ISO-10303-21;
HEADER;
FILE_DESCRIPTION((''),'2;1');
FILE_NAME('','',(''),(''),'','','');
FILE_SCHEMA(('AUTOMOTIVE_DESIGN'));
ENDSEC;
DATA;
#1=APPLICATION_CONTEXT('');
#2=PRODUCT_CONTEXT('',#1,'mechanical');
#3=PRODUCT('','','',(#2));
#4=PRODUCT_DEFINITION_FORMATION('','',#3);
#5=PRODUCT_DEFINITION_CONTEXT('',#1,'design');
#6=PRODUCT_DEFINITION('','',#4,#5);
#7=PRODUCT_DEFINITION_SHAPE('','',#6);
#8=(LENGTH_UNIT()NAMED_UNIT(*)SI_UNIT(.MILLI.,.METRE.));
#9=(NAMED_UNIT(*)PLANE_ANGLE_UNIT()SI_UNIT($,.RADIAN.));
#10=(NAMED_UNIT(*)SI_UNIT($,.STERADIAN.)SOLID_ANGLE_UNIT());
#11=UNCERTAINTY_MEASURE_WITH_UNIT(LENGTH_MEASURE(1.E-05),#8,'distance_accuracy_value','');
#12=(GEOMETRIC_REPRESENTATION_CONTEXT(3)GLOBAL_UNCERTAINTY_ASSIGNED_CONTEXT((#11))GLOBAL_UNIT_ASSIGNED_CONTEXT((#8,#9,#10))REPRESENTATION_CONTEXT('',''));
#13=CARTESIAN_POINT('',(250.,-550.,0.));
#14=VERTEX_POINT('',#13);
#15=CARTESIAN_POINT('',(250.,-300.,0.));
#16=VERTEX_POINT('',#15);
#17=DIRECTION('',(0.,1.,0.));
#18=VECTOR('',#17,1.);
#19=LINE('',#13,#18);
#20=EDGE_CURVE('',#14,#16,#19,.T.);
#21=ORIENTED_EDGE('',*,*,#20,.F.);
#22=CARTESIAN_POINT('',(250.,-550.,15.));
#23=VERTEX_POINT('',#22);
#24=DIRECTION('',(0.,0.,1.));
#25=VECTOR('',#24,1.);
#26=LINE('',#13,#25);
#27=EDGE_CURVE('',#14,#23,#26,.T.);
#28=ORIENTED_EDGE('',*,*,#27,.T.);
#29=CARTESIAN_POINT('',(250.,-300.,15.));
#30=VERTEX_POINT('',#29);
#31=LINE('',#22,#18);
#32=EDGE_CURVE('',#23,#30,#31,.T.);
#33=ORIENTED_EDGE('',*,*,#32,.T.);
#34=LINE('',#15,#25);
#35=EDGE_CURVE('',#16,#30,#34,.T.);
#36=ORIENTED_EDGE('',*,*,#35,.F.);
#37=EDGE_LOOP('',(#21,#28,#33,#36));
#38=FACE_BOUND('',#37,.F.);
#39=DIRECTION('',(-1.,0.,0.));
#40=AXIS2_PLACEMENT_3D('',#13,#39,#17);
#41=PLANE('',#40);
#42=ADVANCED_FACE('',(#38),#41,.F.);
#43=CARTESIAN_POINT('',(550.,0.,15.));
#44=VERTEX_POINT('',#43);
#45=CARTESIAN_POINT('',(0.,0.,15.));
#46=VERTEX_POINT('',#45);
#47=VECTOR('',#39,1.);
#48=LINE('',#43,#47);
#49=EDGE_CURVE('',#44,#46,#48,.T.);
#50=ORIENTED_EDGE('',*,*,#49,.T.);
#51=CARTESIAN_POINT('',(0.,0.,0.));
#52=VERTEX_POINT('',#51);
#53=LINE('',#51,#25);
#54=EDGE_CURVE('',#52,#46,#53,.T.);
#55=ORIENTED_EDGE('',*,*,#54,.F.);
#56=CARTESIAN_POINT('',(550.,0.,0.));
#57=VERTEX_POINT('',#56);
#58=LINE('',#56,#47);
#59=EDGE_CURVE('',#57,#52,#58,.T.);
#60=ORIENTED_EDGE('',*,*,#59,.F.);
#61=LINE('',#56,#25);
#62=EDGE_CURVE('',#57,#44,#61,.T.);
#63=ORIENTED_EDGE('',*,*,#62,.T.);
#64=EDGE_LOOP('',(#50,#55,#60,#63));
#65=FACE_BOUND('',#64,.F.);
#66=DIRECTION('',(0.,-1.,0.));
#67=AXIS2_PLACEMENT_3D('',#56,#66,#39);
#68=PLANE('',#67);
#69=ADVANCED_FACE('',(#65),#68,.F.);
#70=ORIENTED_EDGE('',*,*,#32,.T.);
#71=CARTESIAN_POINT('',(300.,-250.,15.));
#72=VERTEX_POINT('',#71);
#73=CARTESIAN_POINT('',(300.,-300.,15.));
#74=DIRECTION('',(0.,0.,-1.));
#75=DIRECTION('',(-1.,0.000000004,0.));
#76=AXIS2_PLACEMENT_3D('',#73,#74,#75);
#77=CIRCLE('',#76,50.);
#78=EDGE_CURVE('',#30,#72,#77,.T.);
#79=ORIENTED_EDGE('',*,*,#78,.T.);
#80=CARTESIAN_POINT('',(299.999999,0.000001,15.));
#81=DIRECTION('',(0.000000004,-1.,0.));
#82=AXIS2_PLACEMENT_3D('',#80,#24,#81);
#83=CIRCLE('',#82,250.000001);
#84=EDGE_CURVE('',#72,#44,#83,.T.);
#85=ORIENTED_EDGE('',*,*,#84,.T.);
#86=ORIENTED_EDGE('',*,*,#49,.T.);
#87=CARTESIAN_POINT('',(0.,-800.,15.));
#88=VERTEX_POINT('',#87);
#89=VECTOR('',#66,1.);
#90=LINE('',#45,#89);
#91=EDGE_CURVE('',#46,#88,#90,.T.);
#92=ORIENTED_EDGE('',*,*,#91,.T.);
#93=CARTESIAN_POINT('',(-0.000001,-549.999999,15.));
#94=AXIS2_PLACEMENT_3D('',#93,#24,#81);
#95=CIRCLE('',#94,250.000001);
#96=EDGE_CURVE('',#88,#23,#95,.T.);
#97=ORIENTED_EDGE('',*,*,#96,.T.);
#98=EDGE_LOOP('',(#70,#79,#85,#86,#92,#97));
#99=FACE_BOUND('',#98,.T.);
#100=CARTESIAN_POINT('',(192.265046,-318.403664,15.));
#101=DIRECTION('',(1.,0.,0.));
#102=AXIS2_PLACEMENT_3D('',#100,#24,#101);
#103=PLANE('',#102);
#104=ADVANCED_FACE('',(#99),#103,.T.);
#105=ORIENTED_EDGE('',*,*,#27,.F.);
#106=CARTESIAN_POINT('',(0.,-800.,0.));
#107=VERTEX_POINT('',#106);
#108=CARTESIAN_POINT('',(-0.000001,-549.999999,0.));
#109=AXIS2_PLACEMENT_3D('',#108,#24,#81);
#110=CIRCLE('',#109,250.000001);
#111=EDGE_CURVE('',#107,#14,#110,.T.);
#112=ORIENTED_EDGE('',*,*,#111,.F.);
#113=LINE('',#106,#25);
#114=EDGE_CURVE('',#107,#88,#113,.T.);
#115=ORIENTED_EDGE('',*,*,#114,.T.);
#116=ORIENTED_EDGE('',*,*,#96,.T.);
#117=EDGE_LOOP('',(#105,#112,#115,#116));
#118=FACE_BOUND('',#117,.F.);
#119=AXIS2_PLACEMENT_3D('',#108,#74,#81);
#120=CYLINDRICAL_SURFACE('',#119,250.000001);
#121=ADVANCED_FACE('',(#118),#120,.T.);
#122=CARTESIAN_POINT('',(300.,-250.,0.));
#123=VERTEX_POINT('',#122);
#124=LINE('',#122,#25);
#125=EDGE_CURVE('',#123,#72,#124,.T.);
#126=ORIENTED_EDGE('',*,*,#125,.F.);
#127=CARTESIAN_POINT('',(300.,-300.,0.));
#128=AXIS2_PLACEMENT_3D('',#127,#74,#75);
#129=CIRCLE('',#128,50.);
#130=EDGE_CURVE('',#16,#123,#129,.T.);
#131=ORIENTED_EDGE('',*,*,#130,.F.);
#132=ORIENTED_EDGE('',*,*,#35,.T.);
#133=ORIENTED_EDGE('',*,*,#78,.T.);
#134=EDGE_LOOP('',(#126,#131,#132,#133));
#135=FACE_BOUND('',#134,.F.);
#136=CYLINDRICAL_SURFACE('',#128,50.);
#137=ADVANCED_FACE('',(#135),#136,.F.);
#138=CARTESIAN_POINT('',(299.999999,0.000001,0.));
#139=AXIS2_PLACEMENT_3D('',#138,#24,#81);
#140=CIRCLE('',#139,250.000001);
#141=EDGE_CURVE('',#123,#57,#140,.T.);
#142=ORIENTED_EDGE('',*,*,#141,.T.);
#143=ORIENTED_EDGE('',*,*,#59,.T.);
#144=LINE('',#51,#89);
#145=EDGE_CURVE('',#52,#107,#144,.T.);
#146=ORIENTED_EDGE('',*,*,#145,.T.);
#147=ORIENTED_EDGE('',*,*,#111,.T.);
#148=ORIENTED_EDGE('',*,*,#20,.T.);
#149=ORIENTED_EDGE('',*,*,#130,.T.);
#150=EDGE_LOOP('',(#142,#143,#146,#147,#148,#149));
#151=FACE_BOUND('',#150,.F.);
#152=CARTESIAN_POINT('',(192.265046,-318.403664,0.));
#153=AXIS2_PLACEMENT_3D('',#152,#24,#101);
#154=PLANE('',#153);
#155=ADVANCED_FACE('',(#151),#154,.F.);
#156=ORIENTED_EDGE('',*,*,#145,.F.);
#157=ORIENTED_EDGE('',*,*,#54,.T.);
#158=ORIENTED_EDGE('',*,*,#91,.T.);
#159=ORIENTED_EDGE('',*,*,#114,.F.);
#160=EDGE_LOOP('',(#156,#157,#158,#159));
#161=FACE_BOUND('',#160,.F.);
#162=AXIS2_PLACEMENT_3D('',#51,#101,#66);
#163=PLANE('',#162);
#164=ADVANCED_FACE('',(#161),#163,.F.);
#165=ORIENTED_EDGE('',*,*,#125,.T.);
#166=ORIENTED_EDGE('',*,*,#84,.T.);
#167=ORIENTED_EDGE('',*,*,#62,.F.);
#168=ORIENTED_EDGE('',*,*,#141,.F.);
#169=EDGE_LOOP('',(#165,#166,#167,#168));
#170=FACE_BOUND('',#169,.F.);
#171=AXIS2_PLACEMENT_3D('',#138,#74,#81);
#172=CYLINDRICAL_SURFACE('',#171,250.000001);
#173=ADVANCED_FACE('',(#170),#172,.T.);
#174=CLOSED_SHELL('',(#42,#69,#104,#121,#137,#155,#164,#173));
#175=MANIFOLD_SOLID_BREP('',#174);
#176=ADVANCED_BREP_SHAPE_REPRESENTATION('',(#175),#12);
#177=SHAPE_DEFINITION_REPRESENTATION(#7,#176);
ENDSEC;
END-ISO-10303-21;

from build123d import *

# Parameters (mm, degrees)
F1_DEPTH = 15


with BuildPart() as f1:
    # F0 (on Top) → F1 (new body)
    with BuildSketch(Plane.XY):
        with BuildLine():
            Line((550, 0), (0, 0))
            Line((0, 0), (0, -800))
            ThreePointArc((0, -800), (176.776695, -726.776695), (250, -550))
            Line((250, -550), (250, -300))
            ThreePointArc((250, -300), (264.644661, -264.644661), (300, -250))
            ThreePointArc((300, -250), (476.776695, -176.776695), (550, 0))
        make_face()
    extrude(amount=F1_DEPTH)


solid = f1.part
